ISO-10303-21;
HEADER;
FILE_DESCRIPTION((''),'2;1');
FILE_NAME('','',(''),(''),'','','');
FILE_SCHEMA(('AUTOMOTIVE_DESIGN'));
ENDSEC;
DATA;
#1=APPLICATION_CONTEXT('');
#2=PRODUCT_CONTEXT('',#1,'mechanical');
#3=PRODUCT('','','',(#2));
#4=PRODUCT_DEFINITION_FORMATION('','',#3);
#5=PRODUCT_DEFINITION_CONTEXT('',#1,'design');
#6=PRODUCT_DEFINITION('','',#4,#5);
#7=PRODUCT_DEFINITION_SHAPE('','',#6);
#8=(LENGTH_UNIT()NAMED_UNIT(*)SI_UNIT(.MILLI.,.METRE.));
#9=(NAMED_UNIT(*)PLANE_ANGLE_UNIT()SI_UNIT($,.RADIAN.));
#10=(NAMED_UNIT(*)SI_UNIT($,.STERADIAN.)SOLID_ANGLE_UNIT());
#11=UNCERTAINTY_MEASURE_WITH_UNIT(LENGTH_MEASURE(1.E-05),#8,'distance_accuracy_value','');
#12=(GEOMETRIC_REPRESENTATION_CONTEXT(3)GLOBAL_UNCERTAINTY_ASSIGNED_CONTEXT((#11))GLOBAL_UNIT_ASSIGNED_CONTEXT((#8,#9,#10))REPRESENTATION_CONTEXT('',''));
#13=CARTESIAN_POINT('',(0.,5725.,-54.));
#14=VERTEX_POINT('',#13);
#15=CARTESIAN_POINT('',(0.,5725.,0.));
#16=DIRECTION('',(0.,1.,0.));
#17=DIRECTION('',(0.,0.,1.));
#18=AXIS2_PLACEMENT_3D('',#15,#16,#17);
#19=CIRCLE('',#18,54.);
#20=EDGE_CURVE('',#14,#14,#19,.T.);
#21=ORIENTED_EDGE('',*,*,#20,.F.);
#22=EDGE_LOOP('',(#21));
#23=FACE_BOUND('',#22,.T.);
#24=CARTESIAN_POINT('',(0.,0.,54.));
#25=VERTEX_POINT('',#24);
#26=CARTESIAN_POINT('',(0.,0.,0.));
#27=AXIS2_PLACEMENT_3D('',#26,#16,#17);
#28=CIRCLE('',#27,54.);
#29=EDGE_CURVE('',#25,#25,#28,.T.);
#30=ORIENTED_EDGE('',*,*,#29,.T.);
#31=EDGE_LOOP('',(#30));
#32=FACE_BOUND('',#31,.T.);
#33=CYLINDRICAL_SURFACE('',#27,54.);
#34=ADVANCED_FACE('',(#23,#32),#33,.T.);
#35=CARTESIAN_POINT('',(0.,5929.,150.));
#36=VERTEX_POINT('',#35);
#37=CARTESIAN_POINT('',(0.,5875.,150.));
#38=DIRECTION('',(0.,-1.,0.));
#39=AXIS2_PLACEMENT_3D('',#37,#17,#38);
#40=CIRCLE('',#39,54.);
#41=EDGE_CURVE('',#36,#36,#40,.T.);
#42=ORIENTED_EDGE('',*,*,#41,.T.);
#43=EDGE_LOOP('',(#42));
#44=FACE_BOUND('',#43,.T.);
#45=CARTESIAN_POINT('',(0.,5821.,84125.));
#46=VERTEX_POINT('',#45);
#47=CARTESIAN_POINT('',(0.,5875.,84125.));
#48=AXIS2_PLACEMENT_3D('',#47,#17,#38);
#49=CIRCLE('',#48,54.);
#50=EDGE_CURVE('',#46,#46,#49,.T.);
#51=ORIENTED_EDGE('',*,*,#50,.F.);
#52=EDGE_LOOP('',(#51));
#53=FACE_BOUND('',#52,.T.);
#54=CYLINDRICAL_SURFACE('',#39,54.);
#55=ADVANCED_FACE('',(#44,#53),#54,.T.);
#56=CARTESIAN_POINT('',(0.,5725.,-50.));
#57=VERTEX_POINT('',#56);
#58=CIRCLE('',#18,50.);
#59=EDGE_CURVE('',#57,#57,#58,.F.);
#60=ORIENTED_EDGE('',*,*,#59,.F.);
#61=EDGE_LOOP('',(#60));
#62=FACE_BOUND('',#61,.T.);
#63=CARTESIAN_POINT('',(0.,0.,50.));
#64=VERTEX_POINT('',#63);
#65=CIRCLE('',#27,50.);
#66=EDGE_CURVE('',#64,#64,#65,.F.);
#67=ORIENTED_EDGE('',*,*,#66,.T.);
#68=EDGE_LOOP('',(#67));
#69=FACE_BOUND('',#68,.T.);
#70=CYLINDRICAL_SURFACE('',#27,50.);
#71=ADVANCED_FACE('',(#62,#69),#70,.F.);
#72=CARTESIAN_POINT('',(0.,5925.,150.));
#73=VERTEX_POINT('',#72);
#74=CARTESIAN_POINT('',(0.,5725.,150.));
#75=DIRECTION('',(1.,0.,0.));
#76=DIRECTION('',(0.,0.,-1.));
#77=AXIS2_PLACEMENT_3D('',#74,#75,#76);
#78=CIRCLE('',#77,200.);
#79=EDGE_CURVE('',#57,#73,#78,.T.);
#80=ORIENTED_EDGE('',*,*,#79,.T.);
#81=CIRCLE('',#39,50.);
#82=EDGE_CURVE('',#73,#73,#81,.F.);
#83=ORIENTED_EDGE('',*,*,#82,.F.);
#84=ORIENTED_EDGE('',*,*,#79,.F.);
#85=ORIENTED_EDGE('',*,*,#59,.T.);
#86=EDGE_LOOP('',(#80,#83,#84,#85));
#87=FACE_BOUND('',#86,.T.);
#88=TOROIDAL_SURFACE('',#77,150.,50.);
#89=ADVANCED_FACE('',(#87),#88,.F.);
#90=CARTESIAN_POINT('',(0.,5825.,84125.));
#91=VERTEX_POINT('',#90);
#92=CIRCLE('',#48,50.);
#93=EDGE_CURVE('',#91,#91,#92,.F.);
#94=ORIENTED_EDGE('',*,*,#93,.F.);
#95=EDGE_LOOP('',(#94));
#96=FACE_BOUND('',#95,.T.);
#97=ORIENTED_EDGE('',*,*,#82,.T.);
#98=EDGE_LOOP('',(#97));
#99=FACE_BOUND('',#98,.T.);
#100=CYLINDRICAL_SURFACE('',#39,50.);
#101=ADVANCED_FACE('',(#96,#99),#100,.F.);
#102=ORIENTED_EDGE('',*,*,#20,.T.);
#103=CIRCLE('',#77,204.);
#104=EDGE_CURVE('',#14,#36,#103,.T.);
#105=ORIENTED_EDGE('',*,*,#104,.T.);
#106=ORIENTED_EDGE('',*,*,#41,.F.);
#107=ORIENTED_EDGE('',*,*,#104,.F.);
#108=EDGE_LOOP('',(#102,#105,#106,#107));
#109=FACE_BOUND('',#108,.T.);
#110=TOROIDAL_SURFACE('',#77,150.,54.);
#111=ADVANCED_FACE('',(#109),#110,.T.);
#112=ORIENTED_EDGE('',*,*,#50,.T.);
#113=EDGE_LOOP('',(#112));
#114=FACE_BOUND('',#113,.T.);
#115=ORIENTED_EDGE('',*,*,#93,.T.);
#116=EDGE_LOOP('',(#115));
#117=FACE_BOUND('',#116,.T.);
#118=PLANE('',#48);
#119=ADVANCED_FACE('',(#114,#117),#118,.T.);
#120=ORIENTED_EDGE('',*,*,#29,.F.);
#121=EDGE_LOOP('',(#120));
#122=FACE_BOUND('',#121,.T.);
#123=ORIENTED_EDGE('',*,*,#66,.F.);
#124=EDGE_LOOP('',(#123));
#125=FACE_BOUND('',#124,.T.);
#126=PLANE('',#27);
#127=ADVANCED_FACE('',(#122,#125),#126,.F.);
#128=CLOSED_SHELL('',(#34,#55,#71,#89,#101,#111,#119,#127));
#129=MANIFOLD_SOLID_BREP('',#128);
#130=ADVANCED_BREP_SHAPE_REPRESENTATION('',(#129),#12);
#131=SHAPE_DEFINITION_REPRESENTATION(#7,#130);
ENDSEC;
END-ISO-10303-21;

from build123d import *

# Parameters (mm, degrees)
SKETCH2_R   = 54
SKETCH2_R_2 = 50


with BuildPart() as part:
    # Sweep1: sweep along a path in Sketch1
    with BuildLine(Plane(origin=(0, 0, 0), x_dir=(0, 0, -1), z_dir=(1, 0, 0))) as sweep1_path:
        Line((0, 0), (0, 5725))
        ThreePointArc((0, 5725), (-43.933982822, 5831.066017178), (-150, 5875))
        Line((-150, 5875), (-84125, 5875))
    # Sketch2 → Sweep1 (sweep)
    with BuildSketch(Plane(origin=(0, 0, 0), x_dir=(1, 0, 0), z_dir=(0, 1, 0))):
        Circle(SKETCH2_R)
        Circle(SKETCH2_R_2, mode=Mode.SUBTRACT)
    sweep(path=sweep1_path.line)


solid = part.part
